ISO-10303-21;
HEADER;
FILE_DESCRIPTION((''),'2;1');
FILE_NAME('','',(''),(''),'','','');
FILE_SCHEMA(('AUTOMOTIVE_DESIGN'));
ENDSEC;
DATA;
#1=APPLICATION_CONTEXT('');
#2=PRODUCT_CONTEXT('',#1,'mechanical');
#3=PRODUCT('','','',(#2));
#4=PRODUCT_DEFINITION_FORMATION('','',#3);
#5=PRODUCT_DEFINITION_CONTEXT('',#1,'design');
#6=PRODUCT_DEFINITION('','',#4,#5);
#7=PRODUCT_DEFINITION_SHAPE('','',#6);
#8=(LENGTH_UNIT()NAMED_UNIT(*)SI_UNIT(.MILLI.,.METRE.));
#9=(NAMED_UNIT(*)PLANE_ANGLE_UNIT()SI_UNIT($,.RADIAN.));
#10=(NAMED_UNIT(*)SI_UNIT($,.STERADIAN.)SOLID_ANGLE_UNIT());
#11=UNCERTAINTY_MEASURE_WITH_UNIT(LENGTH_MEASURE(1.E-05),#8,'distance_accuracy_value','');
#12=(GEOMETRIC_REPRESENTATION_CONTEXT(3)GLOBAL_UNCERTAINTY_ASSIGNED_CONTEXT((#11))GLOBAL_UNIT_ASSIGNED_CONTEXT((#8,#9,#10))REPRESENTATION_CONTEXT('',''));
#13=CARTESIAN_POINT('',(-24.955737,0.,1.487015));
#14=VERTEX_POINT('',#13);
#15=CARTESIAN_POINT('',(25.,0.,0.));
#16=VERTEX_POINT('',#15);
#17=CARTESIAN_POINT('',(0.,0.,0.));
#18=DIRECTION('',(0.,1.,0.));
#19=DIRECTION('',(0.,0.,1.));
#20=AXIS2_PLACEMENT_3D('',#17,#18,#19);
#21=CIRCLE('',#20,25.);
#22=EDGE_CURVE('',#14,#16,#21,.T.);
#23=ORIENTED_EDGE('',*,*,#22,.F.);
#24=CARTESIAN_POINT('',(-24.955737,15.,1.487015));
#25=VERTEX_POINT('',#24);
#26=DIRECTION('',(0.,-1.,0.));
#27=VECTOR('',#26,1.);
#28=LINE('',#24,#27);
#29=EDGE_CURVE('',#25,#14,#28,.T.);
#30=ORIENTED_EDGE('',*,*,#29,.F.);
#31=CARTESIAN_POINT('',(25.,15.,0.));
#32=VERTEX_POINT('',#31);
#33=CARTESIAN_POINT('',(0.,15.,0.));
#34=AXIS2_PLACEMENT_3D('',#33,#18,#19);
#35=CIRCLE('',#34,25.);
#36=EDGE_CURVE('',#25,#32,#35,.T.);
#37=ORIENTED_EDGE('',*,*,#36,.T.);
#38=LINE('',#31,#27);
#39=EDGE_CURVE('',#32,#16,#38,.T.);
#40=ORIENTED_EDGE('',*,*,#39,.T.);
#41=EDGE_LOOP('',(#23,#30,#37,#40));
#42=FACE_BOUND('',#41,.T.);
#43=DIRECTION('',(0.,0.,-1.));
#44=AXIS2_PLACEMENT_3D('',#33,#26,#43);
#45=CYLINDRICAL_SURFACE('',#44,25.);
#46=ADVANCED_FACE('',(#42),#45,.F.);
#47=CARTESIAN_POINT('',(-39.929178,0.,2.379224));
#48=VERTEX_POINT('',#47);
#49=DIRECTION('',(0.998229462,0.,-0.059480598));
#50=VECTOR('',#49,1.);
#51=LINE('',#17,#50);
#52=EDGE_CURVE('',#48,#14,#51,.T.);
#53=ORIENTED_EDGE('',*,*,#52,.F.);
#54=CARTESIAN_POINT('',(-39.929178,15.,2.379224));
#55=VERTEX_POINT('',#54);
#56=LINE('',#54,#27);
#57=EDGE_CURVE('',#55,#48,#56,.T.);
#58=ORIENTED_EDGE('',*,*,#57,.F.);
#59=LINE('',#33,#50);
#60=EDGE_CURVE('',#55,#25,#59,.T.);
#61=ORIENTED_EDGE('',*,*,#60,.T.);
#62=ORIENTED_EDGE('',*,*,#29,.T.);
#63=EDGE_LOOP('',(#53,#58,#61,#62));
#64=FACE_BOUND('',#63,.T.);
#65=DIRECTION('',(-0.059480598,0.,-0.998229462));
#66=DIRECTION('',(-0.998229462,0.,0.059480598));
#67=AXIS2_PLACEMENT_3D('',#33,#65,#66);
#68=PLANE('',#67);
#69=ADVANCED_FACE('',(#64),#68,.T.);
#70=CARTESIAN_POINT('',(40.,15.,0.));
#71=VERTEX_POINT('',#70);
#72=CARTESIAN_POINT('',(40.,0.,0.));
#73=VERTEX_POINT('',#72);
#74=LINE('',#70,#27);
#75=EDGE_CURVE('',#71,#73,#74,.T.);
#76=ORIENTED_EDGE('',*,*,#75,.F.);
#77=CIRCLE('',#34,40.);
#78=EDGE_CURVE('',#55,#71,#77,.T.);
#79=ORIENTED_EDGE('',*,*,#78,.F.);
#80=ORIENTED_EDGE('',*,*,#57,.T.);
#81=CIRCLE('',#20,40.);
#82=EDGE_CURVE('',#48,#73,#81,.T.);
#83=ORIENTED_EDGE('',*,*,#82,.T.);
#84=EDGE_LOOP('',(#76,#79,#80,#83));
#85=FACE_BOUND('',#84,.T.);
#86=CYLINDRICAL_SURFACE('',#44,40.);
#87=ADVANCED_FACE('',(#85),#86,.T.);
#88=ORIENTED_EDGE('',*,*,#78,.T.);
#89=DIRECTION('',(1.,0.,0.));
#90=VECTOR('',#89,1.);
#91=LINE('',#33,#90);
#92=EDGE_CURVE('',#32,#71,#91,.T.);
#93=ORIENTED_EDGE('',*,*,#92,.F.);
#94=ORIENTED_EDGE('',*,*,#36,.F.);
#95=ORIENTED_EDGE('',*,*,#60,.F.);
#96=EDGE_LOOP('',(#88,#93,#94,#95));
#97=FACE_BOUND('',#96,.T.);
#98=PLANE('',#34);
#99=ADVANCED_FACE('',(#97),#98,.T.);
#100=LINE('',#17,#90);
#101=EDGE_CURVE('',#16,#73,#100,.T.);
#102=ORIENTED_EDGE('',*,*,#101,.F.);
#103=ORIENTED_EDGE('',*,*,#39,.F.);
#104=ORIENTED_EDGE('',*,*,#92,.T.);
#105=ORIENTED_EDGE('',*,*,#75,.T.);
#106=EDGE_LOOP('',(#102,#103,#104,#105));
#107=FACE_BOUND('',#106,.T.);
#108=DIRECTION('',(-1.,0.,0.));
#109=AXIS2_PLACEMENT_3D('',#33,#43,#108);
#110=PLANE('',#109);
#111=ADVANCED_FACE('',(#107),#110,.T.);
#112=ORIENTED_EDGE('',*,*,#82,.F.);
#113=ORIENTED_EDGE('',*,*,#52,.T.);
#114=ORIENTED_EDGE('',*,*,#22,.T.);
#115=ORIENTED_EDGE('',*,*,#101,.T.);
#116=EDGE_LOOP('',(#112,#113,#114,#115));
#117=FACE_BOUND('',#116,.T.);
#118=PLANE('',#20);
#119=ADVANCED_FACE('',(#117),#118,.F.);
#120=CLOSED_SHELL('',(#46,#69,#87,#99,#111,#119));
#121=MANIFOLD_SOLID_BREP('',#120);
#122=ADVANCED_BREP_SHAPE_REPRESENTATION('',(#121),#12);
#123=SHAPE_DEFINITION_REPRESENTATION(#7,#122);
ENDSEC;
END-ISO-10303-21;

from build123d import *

# Parameters (mm, degrees)
BOSS_EXTRUDE1_DEPTH = 15


with BuildPart() as part:
    # Sketch1 → Boss-Extrude1 (new body)
    with BuildSketch(Plane(origin=(0, 0, 0), x_dir=(1, 0, 0), z_dir=(0, 1, 0))):
        with BuildLine():
            Line((-24.955736545, -1.48701496), (-39.929178472, -2.379223936))
            ThreePointArc((-39.929178472, -2.379223936), (1.190138881, -39.982290698), (40, 0))
            Line((40, 0), (25, 0))
            ThreePointArc((25, 0), (0.743836801, -24.988931686), (-24.955736545, -1.48701496))
        make_face()
    extrude(amount=BOSS_EXTRUDE1_DEPTH)


solid = part.part
